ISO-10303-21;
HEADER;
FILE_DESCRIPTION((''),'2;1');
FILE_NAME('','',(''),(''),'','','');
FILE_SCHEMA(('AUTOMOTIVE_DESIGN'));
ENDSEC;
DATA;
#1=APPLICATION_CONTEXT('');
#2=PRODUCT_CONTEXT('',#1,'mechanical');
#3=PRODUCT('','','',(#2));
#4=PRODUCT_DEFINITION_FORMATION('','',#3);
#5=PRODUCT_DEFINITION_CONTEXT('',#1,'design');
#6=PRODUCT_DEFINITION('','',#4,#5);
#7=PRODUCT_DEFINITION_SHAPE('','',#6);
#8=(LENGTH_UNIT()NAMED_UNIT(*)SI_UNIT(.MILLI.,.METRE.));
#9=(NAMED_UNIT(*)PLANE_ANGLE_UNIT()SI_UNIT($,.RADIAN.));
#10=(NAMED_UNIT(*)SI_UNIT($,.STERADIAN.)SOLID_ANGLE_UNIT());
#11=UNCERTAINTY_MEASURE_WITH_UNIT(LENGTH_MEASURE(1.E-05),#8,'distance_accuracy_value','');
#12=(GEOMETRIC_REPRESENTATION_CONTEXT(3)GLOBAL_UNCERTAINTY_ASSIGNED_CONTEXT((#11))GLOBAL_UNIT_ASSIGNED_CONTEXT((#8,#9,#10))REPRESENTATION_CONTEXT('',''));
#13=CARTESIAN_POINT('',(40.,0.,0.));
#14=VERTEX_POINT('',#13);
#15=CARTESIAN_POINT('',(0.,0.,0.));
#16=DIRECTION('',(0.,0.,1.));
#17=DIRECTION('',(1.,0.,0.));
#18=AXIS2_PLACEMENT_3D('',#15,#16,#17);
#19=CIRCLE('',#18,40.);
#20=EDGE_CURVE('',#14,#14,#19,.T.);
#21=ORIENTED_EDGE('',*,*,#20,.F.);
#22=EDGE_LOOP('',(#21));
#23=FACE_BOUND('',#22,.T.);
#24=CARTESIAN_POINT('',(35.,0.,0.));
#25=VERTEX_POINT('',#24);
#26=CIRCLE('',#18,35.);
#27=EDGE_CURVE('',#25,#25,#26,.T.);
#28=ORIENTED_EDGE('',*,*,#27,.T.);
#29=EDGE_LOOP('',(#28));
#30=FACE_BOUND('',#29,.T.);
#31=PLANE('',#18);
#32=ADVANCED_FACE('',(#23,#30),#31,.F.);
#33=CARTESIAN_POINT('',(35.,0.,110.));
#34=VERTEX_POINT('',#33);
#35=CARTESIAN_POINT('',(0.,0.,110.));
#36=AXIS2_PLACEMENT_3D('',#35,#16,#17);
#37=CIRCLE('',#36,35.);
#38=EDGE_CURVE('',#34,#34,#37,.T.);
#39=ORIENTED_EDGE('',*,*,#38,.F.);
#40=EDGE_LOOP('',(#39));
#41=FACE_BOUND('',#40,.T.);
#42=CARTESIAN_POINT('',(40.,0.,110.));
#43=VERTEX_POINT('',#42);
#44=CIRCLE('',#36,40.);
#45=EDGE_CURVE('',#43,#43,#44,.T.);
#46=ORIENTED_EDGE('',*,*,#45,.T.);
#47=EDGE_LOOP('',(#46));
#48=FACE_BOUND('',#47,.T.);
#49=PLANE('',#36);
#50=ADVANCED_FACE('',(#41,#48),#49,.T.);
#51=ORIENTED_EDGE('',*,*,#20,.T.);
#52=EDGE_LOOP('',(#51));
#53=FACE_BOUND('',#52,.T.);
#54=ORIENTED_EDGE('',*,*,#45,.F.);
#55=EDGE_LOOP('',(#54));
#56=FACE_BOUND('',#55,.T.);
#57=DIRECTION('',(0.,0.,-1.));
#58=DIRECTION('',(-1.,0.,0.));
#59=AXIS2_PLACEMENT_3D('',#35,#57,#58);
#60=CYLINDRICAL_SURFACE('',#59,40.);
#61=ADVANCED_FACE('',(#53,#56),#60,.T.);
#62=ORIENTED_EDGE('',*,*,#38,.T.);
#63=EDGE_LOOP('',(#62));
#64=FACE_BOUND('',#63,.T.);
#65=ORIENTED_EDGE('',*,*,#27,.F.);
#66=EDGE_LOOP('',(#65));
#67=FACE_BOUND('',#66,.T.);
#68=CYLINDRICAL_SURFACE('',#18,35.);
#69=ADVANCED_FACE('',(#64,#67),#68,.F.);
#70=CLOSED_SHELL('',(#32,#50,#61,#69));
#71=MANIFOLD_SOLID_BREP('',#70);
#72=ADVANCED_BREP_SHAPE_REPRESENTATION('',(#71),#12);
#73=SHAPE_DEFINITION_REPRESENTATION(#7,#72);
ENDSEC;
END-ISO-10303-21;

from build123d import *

# Parameters (mm, degrees)
SKETCH2_R           = 40
BOSS_EXTRUDE1_DEPTH = 110
SKETCH3_R           = 35
CUT_EXTRUDE1_DEPTH  = 110


with BuildPart() as part:
    # Sketch2 → Boss-Extrude1 (new body)
    with BuildSketch(Plane.XY):
        Circle(SKETCH2_R)
    extrude(amount=BOSS_EXTRUDE1_DEPTH)

    # Sketch3 → Cut-Extrude1 (cut)
    with BuildSketch(Plane.XY.offset(110)):
        Circle(SKETCH3_R)
    extrude(amount=-CUT_EXTRUDE1_DEPTH, mode=Mode.SUBTRACT)


solid = part.part
